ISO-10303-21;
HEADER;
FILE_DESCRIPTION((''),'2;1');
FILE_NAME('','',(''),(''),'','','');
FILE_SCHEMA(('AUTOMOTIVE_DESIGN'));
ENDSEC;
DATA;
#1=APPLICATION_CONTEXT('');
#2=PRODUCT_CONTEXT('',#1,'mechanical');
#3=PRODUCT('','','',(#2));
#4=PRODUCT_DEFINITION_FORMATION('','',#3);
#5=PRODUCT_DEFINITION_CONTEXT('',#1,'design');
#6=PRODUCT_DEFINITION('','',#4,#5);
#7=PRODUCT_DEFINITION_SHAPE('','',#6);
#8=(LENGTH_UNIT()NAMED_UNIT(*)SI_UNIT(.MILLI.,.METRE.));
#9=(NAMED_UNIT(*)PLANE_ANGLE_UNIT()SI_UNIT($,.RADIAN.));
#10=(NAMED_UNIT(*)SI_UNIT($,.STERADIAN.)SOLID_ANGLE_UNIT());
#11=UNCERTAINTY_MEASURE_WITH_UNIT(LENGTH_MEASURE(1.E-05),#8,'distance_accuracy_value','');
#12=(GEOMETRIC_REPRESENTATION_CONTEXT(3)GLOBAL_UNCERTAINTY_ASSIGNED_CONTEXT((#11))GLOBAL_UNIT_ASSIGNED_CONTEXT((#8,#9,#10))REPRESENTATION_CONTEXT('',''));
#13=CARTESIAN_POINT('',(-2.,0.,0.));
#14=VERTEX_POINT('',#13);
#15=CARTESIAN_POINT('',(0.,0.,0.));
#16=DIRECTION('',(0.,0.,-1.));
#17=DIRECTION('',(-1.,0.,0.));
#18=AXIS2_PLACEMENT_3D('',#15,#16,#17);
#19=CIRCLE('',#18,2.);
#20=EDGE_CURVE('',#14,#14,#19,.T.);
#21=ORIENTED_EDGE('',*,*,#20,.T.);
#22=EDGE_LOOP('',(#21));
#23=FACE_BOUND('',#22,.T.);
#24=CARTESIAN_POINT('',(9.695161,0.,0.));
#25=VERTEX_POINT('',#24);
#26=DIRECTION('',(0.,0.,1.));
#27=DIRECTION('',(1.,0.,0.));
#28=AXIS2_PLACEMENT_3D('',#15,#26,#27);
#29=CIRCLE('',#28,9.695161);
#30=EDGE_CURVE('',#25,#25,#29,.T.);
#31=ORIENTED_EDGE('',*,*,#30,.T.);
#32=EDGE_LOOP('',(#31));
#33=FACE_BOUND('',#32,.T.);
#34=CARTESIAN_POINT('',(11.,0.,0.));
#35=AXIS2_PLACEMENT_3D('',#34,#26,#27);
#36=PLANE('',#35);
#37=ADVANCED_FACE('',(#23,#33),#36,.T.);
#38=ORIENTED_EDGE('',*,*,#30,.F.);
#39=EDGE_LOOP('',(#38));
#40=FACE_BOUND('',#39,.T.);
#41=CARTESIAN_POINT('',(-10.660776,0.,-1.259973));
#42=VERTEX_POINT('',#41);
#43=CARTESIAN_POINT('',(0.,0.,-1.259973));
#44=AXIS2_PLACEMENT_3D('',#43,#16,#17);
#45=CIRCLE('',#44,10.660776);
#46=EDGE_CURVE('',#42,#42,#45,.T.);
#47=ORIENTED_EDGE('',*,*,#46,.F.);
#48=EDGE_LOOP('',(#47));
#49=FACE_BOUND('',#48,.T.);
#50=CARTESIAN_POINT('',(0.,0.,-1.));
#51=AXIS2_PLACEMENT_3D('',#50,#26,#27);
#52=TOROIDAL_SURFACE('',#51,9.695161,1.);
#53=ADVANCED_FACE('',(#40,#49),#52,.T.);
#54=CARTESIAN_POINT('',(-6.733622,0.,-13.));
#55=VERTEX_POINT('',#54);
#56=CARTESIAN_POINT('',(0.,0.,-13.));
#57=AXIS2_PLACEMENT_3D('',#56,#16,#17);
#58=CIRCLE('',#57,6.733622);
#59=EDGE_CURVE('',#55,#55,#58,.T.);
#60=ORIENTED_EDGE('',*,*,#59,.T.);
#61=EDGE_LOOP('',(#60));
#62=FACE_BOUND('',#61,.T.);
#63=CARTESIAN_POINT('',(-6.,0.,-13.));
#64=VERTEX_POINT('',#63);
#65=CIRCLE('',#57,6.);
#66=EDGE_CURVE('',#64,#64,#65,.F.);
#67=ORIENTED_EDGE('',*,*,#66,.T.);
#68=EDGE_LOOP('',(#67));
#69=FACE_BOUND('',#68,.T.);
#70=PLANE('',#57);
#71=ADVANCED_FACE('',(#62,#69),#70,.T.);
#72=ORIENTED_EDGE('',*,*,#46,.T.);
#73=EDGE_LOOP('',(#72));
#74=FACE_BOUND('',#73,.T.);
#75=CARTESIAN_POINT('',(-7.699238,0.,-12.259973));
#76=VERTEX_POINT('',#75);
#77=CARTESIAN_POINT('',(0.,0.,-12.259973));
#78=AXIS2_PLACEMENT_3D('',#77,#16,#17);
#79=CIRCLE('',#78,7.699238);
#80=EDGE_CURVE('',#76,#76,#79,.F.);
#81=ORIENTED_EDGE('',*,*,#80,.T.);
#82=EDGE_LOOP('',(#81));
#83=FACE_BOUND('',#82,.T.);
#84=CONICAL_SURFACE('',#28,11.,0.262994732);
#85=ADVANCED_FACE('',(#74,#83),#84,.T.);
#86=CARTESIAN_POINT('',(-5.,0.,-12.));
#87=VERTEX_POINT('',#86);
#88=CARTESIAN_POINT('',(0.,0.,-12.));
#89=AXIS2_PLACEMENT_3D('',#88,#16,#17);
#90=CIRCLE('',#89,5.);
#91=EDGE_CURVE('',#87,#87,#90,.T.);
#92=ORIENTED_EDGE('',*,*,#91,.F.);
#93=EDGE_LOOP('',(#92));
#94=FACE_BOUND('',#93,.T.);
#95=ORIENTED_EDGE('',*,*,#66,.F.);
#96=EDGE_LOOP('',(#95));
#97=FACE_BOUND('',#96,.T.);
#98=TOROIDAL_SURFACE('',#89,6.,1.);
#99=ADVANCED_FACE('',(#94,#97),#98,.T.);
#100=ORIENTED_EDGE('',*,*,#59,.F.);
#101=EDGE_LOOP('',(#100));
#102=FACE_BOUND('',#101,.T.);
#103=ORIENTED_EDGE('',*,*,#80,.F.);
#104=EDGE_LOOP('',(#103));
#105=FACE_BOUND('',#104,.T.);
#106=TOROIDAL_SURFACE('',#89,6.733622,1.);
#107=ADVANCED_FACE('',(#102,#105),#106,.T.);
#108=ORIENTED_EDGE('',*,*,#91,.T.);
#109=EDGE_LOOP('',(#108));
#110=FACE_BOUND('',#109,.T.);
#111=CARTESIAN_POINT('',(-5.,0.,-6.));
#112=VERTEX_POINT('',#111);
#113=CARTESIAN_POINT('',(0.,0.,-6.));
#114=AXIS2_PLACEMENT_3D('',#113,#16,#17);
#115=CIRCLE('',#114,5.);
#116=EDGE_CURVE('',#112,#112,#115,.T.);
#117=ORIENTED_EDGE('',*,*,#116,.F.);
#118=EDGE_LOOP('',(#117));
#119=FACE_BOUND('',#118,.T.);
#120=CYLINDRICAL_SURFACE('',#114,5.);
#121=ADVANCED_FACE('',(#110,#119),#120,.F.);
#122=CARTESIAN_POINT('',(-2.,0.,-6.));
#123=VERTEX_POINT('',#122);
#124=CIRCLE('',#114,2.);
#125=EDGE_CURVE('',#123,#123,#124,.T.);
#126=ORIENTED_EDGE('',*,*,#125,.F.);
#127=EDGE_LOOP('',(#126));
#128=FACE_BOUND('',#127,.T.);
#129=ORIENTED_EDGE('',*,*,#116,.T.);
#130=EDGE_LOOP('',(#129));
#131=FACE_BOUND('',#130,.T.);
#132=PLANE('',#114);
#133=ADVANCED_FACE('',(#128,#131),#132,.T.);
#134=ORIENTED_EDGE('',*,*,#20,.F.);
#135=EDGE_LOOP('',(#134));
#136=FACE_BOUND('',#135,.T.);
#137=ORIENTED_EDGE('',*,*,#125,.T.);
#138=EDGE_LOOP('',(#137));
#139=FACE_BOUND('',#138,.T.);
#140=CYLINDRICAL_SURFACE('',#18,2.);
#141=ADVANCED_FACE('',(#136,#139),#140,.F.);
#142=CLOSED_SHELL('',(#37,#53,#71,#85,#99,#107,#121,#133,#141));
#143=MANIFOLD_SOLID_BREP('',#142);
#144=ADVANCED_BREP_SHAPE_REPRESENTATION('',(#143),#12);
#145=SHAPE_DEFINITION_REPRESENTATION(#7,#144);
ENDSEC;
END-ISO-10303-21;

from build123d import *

# Parameters (mm, degrees)
SKETCH2_R          = 5
CUT_EXTRUDE1_DEPTH = 7
SKETCH3_R          = 2
CUT_EXTRUDE2_DEPTH = 7
FILLET1_R          = 1


with BuildPart() as part:
    # Sketch1 → Revolve1 (revolve)
    with BuildSketch(Plane(origin=(0, 0, 0), x_dir=(1, 0, 0), z_dir=(0, 1, 0))):
        Polygon((0, 0), (0, 13), (7.5, 13), (11, 0), align=None)
    revolve(axis=Axis((0, 0, 0), (0, 0, -1)))

    # Sketch2 → Cut-Extrude1 (cut)
    with BuildSketch(Plane(origin=(0, 0, -13), x_dir=(-1, 0, 0), z_dir=(0, 0, -1))):
        Circle(SKETCH2_R)
    extrude(amount=-CUT_EXTRUDE1_DEPTH, mode=Mode.SUBTRACT)

    # Sketch3 → Cut-Extrude2 (cut, through all)
    with BuildSketch(Plane(origin=(0, 0, -6), x_dir=(-1, 0, 0), z_dir=(0, 0, -1))):
        Circle(SKETCH3_R)
    extrude(amount=-CUT_EXTRUDE2_DEPTH, mode=Mode.SUBTRACT)

    # Fillet1
    fillet1_edges = [part.edges().sort_by_distance(p)[0] for p in [
        (5, 0, -13),
        (-11, 0, 0),
        (-7.5, 0, -13),
    ]]
    fillet(fillet1_edges, radius=FILLET1_R)


solid = part.part
